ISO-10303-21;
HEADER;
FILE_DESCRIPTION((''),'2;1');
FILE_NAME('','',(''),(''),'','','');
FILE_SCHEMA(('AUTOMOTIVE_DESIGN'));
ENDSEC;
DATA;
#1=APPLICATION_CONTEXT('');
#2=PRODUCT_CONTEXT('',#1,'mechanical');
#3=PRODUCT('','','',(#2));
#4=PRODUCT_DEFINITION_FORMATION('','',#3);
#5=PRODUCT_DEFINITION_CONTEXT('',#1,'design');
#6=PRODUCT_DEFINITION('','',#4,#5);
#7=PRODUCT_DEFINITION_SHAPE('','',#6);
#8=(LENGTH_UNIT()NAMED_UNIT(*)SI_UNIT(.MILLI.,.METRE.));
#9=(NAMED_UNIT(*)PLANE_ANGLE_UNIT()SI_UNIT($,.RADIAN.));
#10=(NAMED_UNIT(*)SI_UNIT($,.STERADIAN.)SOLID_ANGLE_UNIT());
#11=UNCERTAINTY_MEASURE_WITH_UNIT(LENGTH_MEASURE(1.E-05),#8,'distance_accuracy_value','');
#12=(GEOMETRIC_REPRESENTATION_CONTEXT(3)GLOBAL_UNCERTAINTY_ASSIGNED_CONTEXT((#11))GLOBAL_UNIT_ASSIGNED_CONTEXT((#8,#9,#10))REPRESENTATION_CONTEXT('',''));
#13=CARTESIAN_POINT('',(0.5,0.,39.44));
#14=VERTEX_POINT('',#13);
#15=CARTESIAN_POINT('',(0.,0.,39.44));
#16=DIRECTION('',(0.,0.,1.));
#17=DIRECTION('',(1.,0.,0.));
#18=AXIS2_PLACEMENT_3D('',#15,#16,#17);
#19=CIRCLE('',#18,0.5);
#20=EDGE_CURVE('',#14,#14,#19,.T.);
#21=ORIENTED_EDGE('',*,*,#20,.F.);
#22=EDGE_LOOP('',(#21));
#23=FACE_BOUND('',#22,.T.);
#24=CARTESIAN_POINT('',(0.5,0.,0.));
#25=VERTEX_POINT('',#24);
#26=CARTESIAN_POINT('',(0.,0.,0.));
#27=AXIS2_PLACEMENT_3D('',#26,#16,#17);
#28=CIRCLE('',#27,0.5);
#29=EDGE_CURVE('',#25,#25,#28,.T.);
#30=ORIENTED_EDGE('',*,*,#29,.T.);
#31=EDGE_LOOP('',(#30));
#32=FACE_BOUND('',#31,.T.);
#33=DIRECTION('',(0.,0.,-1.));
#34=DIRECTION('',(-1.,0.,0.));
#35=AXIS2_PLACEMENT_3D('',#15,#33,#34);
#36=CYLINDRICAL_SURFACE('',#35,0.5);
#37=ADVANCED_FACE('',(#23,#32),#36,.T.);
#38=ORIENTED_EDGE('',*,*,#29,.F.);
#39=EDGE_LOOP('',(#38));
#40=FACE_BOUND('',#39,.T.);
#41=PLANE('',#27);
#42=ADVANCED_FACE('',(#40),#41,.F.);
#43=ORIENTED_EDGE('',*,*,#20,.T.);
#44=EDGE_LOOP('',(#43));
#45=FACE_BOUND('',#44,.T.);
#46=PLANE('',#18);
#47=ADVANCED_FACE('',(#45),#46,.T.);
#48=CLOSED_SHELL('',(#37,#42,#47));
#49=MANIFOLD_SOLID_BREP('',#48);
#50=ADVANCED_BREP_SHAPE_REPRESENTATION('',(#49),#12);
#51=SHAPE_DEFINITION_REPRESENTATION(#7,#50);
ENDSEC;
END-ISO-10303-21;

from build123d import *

# Parameters (mm, degrees)
SKETCH1_R = 0.5
ROD_DEPTH = 39.44


with BuildPart() as part:
    # Sketch1 → Rod (new body)
    with BuildSketch(Plane.XY):
        Circle(SKETCH1_R)
    extrude(amount=ROD_DEPTH)


solid = part.part
